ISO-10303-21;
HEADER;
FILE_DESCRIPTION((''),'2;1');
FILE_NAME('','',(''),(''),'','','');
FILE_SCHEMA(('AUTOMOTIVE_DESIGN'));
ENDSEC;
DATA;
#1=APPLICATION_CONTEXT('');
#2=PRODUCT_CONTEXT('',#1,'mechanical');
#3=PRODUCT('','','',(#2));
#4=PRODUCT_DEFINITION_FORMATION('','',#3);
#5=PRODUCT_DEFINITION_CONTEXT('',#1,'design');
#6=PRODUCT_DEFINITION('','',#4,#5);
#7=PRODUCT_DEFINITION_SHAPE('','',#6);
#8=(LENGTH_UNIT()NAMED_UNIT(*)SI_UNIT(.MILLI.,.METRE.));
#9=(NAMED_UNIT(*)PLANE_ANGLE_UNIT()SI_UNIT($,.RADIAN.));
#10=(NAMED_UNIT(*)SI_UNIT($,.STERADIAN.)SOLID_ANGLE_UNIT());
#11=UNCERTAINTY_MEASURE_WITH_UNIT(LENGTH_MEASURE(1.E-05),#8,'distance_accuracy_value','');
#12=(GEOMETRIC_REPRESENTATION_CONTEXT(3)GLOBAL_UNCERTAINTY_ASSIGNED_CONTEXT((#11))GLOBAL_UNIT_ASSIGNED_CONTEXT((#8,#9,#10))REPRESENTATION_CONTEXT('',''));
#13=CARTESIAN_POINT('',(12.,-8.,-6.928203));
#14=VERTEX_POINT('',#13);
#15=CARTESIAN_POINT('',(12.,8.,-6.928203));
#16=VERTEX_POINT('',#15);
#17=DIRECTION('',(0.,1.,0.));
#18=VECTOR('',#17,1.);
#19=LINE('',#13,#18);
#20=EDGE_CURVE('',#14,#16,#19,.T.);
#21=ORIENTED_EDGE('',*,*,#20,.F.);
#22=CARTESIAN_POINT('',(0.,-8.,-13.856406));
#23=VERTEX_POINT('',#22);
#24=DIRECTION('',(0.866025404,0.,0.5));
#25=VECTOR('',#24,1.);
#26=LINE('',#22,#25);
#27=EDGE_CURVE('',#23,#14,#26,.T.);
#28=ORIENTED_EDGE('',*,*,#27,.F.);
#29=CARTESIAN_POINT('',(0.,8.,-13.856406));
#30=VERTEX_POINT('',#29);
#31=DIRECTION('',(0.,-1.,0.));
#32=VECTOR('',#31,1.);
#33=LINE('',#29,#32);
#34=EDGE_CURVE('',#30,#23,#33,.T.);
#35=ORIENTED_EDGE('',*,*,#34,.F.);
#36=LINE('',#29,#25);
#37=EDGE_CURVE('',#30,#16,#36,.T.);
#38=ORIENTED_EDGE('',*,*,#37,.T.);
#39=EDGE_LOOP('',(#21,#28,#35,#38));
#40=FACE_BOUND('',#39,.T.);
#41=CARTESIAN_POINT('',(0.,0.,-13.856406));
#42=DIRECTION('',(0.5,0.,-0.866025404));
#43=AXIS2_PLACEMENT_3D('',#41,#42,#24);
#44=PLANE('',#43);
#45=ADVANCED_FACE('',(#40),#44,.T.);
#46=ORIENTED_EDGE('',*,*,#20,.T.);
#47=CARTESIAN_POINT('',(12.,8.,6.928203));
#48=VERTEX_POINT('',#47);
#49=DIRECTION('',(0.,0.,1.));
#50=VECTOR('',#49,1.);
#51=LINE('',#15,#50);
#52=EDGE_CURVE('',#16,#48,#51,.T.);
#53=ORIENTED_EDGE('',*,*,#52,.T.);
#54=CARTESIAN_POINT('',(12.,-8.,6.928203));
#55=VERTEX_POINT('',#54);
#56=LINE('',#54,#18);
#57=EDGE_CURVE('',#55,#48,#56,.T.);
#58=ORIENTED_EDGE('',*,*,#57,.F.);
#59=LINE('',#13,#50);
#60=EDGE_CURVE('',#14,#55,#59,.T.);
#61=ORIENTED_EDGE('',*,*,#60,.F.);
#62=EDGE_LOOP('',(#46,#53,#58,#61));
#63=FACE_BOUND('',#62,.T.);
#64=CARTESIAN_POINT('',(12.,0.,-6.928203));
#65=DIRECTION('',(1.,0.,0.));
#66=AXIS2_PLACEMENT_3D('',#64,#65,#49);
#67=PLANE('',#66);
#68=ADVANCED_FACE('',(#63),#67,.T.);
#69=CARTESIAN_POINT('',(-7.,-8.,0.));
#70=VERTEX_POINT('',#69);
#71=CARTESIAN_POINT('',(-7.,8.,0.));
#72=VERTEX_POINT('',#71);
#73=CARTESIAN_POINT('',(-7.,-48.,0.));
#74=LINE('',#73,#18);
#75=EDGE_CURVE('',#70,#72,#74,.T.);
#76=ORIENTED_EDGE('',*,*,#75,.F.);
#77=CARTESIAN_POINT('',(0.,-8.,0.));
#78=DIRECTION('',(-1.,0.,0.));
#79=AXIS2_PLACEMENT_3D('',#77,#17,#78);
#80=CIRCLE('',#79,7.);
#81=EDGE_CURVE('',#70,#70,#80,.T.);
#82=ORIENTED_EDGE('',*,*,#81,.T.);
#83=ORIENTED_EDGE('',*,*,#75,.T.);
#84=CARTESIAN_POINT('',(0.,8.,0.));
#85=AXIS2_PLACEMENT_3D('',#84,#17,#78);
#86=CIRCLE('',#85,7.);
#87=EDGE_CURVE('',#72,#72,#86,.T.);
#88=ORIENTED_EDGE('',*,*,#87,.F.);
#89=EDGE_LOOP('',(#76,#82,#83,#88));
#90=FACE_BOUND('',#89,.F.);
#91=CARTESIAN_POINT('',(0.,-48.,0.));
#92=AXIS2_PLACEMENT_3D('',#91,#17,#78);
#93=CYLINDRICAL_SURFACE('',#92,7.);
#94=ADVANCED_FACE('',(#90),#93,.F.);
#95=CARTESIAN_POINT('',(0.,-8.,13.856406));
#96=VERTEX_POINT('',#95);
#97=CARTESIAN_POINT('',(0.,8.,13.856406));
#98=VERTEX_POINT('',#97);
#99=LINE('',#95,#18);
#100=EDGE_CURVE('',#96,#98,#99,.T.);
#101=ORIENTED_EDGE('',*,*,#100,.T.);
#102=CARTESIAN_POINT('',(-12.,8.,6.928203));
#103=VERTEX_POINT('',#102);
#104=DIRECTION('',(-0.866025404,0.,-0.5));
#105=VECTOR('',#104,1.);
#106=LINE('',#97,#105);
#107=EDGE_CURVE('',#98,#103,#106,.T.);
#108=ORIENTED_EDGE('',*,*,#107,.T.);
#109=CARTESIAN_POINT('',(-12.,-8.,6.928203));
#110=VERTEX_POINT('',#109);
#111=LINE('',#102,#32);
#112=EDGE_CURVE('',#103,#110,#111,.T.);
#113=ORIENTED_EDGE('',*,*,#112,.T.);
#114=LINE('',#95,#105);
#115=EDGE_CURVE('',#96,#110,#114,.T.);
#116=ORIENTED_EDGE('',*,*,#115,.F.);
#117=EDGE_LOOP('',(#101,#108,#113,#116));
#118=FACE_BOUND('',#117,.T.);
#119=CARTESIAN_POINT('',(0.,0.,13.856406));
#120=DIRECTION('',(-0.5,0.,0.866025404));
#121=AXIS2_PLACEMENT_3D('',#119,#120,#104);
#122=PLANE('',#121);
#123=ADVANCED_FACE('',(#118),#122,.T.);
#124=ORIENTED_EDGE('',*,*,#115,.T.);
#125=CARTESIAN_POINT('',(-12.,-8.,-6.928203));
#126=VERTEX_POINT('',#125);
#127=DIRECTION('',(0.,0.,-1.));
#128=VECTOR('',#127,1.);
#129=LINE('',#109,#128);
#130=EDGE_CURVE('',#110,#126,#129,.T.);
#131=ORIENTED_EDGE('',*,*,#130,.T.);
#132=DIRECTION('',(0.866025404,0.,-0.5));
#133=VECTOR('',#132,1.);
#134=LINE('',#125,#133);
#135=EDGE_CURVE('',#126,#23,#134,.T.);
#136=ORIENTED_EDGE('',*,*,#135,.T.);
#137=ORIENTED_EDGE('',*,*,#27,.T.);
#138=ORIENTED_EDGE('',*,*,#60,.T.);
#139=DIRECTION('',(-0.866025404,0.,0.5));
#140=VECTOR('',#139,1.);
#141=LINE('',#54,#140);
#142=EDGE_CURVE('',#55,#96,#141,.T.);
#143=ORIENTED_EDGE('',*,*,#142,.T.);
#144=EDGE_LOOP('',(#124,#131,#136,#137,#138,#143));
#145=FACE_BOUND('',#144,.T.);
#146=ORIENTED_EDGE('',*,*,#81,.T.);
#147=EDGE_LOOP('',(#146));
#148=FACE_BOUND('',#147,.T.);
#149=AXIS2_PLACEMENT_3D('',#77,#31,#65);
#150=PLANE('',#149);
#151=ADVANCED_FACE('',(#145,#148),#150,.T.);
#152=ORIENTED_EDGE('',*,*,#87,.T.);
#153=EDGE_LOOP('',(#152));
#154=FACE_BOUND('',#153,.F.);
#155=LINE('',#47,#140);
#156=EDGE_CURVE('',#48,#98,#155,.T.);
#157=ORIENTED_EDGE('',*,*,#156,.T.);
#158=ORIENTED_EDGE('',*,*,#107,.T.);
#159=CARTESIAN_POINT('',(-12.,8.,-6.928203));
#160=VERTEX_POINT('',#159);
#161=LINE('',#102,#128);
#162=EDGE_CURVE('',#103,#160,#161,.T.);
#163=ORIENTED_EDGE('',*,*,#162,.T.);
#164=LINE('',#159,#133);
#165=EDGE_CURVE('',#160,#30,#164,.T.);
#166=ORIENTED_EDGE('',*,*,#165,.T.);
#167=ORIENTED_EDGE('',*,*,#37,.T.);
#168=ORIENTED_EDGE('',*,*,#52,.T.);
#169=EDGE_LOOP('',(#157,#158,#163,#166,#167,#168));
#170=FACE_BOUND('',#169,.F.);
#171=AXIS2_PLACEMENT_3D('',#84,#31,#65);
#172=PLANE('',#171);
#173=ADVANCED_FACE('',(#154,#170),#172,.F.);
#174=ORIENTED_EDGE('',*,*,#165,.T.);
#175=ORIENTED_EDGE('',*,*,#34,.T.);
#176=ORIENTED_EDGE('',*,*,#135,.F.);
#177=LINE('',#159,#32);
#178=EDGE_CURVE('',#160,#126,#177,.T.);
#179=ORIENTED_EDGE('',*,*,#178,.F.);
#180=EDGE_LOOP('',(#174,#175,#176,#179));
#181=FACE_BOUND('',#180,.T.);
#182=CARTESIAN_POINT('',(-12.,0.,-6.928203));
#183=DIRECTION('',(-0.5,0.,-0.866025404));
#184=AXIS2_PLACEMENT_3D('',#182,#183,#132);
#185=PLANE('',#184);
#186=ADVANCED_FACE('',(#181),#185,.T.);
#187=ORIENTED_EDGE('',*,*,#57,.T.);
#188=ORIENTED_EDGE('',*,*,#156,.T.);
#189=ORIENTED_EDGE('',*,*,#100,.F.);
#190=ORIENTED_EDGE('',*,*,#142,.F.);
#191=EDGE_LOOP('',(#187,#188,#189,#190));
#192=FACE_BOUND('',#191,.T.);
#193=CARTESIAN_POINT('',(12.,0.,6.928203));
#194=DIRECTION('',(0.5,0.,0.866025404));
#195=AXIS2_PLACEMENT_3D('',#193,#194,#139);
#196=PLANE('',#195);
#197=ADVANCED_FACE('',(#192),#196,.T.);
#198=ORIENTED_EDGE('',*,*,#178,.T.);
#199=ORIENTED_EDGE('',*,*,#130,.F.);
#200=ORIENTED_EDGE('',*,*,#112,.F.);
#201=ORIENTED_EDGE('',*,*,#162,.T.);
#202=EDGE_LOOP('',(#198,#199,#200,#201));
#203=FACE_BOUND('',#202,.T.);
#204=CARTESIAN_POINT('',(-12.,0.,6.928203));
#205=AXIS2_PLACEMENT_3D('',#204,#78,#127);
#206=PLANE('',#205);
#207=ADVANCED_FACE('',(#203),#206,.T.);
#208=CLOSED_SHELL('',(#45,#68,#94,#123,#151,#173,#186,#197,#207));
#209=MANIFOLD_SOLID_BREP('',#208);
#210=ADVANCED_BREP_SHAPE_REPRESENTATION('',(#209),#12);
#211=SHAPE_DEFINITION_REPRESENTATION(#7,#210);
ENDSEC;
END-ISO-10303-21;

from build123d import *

# Parameters (mm, degrees)
F1_DEPTH = 8
F3_D     = 14


with BuildPart() as f1:
    # F0 (on Front) → F1 (new body, symmetric)
    with BuildSketch(Plane.XZ):
        Polygon((0, 13.8564064606), (-12, 6.9282032303), (-12, -6.9282032303), (0, -13.8564064606), (12, -6.9282032303), (12, 6.9282032303), align=None)
    extrude(amount=F1_DEPTH, both=True)

    # F3 (through all)
    with Locations(Plane.XZ.offset(8)):
        with Locations((0, 0)):
            Hole(F3_D / 2)


solid = f1.part
